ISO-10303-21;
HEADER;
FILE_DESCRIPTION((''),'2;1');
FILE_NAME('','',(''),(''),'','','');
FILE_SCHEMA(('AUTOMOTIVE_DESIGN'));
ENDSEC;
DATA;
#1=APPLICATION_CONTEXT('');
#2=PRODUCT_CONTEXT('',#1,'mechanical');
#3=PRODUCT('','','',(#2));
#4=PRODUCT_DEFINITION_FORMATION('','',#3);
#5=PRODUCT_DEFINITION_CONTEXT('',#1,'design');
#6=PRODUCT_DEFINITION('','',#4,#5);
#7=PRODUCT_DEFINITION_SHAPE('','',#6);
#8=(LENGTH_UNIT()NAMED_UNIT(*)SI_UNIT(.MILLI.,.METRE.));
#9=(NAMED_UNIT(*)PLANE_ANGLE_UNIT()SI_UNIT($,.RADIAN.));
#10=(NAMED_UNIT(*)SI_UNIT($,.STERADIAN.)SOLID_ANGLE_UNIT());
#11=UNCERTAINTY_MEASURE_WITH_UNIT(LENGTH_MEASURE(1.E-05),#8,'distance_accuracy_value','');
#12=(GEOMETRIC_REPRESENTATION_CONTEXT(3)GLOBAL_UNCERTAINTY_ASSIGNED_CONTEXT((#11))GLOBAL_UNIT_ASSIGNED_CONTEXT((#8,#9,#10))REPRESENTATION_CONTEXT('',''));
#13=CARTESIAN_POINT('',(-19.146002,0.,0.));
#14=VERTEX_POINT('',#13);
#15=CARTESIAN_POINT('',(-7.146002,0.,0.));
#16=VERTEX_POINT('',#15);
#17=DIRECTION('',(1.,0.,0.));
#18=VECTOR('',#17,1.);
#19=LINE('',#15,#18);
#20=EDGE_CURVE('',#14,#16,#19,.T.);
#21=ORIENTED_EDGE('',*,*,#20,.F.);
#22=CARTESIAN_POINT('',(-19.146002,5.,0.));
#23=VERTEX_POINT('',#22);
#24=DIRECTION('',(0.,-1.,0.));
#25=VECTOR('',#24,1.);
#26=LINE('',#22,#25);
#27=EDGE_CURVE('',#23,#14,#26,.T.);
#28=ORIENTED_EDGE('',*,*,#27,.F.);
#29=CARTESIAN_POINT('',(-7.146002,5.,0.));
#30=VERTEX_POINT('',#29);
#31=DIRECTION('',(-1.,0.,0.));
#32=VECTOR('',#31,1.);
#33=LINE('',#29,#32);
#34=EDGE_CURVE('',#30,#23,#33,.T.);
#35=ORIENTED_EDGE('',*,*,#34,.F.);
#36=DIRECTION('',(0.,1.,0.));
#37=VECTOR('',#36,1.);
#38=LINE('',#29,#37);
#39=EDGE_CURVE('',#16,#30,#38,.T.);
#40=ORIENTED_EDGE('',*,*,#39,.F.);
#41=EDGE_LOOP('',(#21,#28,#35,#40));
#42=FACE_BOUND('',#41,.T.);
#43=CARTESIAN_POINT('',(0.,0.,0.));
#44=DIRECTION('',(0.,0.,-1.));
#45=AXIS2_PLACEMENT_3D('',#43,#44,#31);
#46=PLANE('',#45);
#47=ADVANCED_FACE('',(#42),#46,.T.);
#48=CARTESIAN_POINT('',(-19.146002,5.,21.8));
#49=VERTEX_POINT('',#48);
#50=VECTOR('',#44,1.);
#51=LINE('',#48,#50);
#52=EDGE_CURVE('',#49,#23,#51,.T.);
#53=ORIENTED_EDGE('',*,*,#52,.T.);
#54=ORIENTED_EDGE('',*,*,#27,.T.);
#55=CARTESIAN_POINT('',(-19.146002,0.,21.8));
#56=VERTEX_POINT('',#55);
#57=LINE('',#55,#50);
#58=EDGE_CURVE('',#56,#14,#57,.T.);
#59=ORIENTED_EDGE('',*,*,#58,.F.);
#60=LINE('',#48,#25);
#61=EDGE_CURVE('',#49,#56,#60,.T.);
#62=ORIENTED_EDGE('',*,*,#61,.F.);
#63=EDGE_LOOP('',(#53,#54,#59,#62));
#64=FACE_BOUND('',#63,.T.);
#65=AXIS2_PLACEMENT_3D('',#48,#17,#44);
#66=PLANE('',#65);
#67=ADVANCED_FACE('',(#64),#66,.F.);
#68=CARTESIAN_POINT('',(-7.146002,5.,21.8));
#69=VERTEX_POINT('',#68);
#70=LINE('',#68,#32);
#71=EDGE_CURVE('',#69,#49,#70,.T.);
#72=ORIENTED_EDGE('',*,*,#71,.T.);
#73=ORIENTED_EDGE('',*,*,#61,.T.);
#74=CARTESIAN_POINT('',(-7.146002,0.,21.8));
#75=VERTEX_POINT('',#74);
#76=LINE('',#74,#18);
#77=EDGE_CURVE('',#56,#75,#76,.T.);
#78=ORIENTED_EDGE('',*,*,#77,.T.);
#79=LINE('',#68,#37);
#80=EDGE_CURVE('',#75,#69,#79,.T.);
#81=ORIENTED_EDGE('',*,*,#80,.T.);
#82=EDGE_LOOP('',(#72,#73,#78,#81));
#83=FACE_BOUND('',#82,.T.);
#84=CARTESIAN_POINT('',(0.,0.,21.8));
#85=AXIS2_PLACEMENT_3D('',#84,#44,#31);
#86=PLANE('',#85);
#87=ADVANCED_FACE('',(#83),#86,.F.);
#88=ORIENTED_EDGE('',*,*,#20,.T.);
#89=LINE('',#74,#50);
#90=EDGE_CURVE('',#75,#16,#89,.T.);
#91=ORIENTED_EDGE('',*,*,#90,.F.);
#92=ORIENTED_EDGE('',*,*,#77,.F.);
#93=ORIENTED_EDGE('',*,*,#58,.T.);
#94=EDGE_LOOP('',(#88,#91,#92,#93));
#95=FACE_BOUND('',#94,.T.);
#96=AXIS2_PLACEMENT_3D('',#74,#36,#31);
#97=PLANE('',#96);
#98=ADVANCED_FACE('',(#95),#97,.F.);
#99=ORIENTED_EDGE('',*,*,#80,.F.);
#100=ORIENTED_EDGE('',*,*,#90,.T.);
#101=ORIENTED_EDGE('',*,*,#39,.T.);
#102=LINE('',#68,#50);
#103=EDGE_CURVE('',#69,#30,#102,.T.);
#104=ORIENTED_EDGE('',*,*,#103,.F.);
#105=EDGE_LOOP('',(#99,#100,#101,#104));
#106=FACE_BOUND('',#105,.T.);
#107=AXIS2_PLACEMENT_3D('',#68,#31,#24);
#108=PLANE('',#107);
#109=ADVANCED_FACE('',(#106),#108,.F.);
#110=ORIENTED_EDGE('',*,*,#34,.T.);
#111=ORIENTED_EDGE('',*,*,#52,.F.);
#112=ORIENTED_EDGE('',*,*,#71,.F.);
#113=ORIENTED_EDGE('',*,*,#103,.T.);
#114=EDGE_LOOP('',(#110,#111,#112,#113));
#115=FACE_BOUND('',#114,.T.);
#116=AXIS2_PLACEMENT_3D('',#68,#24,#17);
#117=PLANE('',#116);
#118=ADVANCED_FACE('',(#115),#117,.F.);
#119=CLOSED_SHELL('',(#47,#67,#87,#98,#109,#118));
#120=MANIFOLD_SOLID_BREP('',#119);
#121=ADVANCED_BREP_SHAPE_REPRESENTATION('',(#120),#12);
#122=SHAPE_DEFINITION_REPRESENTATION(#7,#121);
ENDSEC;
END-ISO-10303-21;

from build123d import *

# Parameters (mm, degrees)
CROQUIS1_W              = 12
CROQUIS1_H              = 5
SALIENTE_EXTRUIR1_DEPTH = 21.8


with BuildPart() as part:
    # Croquis1 → Saliente-Extruir1 (new body)
    with BuildSketch(Plane.XY):
        with Locations((-13.146002022, 2.5)):
            Rectangle(CROQUIS1_W, CROQUIS1_H)
    extrude(amount=SALIENTE_EXTRUIR1_DEPTH)


solid = part.part
